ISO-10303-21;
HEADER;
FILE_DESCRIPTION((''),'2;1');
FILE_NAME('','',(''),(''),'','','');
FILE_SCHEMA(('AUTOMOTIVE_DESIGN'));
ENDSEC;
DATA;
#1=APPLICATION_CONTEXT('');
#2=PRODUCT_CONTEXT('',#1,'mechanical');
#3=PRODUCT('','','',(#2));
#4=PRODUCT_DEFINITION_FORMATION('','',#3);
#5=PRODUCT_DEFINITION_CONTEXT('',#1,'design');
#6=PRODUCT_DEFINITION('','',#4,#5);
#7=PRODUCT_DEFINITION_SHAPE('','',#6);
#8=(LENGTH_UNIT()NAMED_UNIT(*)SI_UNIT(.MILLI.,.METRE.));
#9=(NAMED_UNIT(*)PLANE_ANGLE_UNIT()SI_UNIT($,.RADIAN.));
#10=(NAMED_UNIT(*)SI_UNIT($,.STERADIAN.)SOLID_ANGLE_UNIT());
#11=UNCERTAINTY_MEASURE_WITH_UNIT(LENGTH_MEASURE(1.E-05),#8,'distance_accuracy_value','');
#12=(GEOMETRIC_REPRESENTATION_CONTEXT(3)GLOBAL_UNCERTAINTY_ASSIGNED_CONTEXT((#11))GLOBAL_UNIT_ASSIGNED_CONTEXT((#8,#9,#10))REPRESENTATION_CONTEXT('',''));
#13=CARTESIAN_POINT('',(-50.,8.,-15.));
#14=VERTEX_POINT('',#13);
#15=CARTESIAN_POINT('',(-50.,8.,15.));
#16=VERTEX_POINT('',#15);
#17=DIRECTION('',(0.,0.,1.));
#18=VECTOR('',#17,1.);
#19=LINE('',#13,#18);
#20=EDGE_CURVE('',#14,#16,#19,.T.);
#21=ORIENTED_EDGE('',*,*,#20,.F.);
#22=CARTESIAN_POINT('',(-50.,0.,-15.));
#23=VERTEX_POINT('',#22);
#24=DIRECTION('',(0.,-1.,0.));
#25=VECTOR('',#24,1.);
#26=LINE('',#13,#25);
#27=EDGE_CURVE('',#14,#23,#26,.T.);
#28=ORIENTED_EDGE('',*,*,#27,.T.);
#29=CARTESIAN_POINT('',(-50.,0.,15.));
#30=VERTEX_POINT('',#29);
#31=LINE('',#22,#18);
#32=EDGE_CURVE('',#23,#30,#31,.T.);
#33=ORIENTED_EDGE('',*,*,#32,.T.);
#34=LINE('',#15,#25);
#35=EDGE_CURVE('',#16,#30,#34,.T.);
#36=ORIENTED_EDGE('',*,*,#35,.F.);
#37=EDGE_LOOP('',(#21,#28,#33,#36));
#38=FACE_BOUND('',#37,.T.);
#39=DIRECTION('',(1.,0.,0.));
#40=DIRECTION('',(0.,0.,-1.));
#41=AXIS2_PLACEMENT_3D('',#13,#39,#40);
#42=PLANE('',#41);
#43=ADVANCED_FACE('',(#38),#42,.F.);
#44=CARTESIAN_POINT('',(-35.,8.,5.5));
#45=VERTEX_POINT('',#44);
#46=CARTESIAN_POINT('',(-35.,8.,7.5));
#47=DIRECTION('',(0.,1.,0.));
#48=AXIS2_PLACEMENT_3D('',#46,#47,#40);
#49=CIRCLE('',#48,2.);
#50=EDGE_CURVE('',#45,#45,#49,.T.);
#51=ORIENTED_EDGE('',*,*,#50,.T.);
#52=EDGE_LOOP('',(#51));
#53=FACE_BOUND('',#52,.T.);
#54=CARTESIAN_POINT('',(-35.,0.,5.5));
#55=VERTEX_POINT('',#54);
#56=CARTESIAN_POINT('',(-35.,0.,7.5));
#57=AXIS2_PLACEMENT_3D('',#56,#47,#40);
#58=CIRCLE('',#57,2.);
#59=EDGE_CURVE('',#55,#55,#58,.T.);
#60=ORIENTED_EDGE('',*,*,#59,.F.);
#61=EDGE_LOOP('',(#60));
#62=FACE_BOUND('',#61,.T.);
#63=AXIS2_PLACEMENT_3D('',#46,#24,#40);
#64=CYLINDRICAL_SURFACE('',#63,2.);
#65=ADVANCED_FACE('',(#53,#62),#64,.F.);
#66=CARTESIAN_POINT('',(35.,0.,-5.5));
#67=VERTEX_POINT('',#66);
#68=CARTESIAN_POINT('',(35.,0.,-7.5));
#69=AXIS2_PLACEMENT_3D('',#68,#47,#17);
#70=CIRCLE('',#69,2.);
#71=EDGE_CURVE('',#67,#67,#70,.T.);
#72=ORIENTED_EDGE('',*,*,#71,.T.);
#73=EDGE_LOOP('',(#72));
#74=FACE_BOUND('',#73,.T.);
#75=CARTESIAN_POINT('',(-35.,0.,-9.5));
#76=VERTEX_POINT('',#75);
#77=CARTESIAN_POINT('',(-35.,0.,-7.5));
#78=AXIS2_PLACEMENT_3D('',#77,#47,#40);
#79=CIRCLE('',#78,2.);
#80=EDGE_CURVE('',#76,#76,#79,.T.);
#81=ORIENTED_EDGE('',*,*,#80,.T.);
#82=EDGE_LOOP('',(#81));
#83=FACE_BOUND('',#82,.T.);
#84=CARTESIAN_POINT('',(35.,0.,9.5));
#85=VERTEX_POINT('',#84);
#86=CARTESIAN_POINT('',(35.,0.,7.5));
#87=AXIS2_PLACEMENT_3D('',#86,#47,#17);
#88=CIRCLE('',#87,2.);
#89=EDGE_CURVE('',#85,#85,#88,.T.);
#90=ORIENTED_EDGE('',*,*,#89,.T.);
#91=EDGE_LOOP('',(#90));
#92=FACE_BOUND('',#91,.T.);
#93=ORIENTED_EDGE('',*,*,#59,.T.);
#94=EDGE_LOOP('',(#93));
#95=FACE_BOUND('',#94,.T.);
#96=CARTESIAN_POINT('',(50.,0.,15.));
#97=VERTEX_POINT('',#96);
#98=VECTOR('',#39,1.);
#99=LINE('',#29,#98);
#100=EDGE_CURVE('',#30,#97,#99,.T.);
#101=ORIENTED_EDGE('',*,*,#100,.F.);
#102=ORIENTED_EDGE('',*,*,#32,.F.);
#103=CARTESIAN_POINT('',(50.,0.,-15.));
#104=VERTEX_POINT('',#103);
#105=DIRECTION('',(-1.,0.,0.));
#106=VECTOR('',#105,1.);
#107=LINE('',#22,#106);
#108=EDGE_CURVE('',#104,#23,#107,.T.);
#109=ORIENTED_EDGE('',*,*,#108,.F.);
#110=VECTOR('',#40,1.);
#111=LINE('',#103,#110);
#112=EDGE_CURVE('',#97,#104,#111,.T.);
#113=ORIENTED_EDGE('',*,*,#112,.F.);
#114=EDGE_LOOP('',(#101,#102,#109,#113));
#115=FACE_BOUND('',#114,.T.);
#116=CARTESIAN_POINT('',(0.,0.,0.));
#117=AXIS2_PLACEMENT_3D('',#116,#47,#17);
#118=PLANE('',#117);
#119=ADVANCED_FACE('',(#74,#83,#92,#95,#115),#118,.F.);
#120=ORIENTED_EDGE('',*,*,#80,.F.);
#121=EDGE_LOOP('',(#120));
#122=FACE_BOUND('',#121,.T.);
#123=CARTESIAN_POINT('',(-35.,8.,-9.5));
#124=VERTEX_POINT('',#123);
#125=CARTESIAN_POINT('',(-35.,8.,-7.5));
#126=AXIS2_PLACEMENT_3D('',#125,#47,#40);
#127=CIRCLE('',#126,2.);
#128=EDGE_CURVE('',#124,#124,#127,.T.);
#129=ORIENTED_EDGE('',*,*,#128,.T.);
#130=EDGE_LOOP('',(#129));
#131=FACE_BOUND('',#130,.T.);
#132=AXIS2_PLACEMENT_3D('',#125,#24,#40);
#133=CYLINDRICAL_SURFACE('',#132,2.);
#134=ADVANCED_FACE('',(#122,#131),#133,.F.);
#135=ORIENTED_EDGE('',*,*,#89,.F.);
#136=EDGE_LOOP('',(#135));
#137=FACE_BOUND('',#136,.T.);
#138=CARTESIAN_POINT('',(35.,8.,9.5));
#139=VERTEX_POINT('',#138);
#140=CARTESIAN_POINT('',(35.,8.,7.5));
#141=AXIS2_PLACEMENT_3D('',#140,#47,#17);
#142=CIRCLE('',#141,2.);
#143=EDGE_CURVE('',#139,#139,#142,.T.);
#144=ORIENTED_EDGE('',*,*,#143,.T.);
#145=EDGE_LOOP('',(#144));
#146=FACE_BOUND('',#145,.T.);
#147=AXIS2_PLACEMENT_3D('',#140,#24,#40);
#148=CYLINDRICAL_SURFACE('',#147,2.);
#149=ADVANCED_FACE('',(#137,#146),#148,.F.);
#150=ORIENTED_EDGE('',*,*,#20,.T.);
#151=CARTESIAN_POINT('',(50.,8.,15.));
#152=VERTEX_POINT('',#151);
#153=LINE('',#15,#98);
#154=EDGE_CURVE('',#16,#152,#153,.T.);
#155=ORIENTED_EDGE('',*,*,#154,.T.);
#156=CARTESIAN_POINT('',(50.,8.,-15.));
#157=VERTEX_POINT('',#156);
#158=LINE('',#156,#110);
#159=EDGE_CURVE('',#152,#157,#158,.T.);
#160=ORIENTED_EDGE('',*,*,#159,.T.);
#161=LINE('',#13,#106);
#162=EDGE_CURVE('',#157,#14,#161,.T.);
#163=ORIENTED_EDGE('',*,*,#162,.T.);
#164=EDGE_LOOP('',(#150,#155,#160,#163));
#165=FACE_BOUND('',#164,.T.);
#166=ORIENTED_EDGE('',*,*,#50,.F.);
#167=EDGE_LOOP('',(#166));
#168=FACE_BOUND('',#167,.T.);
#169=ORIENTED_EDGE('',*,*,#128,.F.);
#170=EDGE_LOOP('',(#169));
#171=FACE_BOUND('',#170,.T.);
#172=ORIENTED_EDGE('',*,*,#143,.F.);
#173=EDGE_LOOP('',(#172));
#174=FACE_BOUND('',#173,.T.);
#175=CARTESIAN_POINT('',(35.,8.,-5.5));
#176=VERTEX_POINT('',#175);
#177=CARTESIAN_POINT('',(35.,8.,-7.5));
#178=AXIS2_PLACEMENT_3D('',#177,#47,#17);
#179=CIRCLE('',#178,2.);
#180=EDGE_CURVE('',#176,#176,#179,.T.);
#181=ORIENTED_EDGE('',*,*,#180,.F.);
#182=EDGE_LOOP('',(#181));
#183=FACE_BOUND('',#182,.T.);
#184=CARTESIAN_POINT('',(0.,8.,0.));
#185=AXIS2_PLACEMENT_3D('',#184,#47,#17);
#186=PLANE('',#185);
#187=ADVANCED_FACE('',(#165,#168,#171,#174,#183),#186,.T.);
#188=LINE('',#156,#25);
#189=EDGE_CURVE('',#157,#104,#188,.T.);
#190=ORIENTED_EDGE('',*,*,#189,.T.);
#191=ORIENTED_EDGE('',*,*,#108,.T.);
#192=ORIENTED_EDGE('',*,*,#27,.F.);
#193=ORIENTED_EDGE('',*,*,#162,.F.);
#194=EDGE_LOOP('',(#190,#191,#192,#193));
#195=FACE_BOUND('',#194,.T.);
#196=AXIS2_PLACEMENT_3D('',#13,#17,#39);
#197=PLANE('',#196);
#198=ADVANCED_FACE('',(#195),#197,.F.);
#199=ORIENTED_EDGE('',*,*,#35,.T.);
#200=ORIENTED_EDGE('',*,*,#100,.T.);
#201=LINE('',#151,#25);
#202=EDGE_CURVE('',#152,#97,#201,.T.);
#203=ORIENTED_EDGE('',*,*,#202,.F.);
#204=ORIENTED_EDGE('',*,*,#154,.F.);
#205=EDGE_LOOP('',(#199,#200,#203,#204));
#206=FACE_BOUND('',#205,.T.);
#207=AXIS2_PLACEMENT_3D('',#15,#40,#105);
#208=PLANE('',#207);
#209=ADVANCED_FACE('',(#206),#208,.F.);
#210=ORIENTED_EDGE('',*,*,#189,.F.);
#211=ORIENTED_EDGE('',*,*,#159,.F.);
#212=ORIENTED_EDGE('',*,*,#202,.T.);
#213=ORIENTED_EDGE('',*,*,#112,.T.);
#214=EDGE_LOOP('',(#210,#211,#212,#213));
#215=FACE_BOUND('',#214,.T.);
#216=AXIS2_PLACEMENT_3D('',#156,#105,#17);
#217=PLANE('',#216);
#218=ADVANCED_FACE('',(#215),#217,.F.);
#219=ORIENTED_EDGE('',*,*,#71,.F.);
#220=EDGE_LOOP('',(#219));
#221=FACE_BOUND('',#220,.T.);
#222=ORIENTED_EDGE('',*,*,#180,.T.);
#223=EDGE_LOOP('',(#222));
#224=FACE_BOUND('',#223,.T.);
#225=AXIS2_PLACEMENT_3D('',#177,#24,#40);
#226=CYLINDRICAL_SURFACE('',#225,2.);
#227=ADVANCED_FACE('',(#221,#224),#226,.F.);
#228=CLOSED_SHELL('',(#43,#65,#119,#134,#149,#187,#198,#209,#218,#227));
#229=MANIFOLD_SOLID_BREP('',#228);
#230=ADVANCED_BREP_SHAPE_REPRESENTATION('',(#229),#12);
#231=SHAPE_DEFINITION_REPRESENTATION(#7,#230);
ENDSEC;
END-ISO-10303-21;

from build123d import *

# Parameters (mm, degrees)
SKETCH1_W           = 100
SKETCH1_H           = 30
SKETCH1_R           = 2
BOSS_EXTRUDE1_DEPTH = 8


with BuildPart() as part:
    # Sketch1 → Boss-Extrude1 (new body)
    with BuildSketch(Plane(origin=(0, 0, 0), x_dir=(1, 0, 0), z_dir=(0, 1, 0))):
        Rectangle(SKETCH1_W, SKETCH1_H)
        with Locations(Location((35, 7.5, 0), (0, 0, 270))):
            Circle(SKETCH1_R, mode=Mode.SUBTRACT)
        with Locations(Location((35, -7.5, 0), (0, 0, 270))):
            Circle(SKETCH1_R, mode=Mode.SUBTRACT)
        with Locations(Location((-35, -7.5, 0), (0, 0, 90))):
            Circle(SKETCH1_R, mode=Mode.SUBTRACT)
        with Locations(Location((-35, 7.5, 0), (0, 0, 90))):
            Circle(SKETCH1_R, mode=Mode.SUBTRACT)
    extrude(amount=BOSS_EXTRUDE1_DEPTH)


solid = part.part
